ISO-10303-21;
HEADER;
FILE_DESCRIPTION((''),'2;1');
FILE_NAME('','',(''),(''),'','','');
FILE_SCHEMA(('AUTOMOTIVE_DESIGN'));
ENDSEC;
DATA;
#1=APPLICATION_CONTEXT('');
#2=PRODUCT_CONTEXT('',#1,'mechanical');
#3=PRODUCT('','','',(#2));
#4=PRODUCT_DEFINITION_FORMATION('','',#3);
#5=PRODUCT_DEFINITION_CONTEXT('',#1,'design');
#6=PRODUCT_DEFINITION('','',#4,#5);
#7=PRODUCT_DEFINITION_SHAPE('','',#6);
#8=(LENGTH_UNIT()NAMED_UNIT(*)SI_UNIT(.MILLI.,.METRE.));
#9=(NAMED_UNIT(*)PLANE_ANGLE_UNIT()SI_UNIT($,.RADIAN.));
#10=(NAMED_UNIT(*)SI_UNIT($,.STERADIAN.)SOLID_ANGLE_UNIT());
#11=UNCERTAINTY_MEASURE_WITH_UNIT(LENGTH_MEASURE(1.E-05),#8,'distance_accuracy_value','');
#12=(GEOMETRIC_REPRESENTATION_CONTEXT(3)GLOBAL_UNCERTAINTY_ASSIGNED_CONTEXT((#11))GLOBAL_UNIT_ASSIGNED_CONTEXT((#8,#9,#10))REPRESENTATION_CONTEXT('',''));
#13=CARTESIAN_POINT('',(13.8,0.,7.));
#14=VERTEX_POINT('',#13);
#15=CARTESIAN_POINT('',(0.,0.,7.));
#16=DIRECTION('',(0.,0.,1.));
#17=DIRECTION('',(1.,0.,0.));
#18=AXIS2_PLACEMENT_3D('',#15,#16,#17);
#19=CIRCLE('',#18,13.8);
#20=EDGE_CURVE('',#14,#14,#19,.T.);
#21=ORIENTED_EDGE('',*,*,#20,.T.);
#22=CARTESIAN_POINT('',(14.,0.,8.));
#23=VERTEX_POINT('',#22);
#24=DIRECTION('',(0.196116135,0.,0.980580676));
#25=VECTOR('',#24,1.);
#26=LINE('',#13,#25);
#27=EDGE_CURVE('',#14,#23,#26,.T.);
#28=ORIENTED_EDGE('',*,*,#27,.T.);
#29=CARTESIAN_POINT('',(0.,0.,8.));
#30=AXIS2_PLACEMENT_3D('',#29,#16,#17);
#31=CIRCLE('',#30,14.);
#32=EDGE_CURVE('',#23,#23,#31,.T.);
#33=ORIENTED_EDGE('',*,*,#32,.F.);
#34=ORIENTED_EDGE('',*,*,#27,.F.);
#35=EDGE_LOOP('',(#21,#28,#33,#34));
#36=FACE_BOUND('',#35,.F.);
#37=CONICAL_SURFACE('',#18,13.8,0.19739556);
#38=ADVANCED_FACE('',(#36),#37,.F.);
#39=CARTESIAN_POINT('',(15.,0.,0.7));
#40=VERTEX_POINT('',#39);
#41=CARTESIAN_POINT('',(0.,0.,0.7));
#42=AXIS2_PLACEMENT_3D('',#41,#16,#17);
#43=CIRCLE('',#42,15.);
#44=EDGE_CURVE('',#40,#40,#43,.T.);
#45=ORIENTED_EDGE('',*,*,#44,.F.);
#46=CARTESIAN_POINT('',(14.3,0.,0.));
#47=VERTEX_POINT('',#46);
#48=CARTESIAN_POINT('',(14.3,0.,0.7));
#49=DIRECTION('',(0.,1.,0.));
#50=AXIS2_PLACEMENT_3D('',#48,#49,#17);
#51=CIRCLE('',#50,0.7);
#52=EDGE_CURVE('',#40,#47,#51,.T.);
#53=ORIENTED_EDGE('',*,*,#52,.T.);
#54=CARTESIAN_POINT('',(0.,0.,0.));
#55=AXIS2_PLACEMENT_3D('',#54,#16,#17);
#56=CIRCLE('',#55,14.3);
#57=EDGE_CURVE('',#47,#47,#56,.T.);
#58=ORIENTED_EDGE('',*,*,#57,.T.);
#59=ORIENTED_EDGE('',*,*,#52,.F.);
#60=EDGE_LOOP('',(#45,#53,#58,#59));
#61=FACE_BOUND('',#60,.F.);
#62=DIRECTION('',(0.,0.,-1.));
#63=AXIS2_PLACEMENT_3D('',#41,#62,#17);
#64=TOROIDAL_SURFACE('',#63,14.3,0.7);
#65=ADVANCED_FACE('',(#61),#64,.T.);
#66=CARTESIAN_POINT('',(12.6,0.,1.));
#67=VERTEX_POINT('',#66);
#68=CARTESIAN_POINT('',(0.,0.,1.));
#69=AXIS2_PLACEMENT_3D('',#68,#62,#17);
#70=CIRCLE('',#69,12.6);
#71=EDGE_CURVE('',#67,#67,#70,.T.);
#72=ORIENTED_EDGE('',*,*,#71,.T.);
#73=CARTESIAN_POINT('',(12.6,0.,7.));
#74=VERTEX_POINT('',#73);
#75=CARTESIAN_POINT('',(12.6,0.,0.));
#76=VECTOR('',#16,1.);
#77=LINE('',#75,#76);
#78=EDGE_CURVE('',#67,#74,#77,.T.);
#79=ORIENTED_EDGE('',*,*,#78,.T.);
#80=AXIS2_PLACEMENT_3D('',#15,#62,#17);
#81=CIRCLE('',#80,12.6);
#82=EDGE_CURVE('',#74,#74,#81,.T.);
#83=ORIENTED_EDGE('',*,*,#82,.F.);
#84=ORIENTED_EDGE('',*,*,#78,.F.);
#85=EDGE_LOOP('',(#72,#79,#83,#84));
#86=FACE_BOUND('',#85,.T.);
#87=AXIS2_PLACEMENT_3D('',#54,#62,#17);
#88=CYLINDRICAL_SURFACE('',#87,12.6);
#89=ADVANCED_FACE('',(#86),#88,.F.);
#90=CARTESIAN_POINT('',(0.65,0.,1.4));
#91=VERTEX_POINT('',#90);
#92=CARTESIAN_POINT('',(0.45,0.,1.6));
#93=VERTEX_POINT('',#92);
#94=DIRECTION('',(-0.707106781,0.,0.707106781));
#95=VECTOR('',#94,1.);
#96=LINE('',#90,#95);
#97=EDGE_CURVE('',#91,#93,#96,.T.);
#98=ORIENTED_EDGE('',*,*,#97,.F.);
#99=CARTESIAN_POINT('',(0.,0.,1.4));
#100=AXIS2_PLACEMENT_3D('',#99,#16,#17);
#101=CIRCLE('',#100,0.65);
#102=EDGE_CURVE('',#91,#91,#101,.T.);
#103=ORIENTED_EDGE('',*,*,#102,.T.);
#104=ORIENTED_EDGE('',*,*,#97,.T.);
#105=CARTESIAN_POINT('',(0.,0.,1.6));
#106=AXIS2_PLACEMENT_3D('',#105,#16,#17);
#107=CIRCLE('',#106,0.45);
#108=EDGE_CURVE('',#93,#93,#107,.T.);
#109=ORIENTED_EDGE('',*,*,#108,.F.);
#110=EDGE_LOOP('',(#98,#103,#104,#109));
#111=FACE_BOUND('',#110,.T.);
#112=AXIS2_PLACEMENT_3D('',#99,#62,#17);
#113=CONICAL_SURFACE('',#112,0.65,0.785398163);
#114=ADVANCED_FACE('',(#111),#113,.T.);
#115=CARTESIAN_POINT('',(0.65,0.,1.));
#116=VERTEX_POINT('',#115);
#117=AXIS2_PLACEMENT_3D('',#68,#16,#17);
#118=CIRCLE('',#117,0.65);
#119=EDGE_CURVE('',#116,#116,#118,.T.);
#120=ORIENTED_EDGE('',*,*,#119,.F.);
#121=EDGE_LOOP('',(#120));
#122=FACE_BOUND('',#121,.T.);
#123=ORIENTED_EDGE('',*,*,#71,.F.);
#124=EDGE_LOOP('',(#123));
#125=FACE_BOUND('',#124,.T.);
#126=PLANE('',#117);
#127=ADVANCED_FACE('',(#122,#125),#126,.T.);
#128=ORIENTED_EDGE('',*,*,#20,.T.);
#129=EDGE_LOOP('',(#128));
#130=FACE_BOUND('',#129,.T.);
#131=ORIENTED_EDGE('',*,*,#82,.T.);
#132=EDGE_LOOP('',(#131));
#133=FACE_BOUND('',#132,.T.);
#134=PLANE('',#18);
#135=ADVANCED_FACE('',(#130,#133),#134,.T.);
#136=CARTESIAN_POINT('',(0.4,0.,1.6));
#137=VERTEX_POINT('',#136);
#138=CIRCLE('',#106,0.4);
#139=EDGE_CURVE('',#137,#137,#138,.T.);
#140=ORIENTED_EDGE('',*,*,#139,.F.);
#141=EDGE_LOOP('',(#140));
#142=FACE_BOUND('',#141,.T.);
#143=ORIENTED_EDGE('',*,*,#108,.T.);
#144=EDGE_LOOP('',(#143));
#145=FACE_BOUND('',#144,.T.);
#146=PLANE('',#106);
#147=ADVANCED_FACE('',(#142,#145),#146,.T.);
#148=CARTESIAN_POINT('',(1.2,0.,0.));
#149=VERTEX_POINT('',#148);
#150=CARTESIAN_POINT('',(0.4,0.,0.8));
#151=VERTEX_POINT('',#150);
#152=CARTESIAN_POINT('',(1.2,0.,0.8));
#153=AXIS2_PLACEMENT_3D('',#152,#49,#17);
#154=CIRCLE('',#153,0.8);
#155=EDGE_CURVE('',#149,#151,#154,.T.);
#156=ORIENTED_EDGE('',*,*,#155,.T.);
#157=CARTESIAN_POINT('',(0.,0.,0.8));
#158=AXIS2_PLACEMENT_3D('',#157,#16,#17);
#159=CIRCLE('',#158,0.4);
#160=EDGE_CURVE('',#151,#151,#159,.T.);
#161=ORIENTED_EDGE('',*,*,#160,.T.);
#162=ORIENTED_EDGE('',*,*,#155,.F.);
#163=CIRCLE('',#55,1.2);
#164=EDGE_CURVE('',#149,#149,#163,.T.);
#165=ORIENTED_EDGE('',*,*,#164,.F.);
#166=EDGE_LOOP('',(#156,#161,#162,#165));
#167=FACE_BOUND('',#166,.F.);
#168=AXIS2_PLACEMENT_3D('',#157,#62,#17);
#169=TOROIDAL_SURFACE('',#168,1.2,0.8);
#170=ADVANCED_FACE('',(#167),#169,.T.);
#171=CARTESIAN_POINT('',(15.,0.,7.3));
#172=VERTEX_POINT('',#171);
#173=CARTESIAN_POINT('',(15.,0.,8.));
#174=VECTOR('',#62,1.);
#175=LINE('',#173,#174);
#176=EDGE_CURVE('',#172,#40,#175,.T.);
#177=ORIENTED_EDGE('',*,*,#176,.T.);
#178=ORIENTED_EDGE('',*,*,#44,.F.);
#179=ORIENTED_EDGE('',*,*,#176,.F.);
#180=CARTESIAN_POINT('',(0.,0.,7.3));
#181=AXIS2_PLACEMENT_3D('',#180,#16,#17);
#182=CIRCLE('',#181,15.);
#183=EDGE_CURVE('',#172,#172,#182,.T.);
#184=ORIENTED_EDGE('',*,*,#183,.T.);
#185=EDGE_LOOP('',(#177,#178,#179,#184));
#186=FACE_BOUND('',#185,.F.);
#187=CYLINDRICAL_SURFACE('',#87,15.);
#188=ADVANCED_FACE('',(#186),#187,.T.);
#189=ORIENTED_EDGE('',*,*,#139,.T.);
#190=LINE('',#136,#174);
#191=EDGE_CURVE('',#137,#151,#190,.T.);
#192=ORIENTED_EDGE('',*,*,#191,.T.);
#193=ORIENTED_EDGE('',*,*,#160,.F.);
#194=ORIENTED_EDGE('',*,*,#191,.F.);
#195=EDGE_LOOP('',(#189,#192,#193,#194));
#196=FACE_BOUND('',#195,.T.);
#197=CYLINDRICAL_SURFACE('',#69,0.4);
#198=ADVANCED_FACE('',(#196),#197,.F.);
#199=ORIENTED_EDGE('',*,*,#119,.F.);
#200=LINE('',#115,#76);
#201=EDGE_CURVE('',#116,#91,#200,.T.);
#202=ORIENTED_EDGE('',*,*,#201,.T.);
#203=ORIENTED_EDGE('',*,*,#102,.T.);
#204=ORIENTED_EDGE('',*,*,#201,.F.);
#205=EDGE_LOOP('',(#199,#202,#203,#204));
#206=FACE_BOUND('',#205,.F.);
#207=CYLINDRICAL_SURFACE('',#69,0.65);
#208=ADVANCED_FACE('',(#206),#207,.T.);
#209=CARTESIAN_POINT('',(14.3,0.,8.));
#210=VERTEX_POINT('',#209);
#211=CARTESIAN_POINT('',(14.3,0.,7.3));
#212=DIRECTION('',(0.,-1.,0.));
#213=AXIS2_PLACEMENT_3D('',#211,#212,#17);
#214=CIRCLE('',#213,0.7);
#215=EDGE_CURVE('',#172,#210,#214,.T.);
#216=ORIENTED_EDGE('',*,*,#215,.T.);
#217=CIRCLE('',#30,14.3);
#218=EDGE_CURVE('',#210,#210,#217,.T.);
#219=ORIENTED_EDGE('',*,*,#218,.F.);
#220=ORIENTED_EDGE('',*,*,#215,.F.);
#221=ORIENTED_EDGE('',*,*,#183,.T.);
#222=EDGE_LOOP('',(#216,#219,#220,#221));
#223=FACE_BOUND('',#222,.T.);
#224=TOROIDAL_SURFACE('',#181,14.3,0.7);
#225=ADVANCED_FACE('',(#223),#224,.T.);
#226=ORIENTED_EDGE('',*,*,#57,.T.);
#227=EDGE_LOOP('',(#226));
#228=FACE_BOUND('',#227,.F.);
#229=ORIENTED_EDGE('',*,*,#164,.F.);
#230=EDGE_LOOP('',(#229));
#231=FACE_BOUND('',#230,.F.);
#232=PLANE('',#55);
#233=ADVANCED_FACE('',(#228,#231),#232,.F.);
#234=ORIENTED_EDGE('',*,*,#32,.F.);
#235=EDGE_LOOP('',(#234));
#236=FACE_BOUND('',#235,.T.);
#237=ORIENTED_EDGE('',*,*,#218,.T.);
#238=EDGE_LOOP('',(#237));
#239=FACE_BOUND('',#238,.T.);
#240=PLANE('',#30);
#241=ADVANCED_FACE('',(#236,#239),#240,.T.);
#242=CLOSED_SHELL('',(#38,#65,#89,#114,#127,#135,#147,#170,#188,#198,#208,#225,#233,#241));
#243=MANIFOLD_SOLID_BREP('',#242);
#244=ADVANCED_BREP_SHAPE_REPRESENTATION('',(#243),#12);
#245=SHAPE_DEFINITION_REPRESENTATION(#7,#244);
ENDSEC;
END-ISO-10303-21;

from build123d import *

# Parameters (mm, degrees)
CYLINDER006_R     = 14
CYLINDER006_DEPTH = 1
CYLINDER005_R     = 0.4
CYLINDER005_DEPTH = 1
CYLINDER001_R     = 12.6
CYLINDER001_DEPTH = 8
CYLINDER_R        = 15
CYLINDER_DEPTH    = 8
CYLINDER002_R     = 15
CYLINDER002_DEPTH = 1
FILLET_R          = 0.7
FILLET001_R       = 0.7
FILLET002_R       = 0.8
CYLINDER004_R     = 0.4
CYLINDER004_DEPTH = 0.6
CYLINDER003_R     = 0.65
CYLINDER003_DEPTH = 0.6
CHAMFER_SIZE      = 0.2
CYLINDER007_R     = 14
CYLINDER007_DEPTH = 1


with BuildPart() as cylinder006:
    # Cylinder006 → Cylinder006 (new body)
    with BuildSketch(Plane.XY.offset(7)):
        Circle(CYLINDER006_R)
    extrude(amount=CYLINDER006_DEPTH)


with BuildPart() as cylinder005:
    # Cylinder005 → Cylinder005 (new body)
    with BuildSketch(Plane.XY):
        Circle(CYLINDER005_R)
    extrude(amount=CYLINDER005_DEPTH)


with BuildPart() as cylinder001:
    # Cylinder001 → Cylinder001 (new body)
    with BuildSketch(Plane.XY):
        Circle(CYLINDER001_R)
    extrude(amount=CYLINDER001_DEPTH)


with BuildPart() as cut:
    # Cylinder → Cylinder (new body)
    with BuildSketch(Plane.XY):
        Circle(CYLINDER_R)
    extrude(amount=CYLINDER_DEPTH)

    # Cut: cut Cylinder001
    add(cylinder001.part, mode=Mode.SUBTRACT)


with BuildPart() as fillet002:
    # Cylinder002 → Cylinder002 (new body)
    with BuildSketch(Plane.XY):
        Circle(CYLINDER002_R)
    extrude(amount=CYLINDER002_DEPTH)

    # Fusion: union Cut
    add(cut.part)

    # Cut001: cut Cylinder005
    add(cylinder005.part, mode=Mode.SUBTRACT)

    # Cut003: cut Cylinder006
    add(cylinder006.part, mode=Mode.SUBTRACT)

    # Fillet
    fillet_edges = [fillet002.edges().sort_by_distance(p)[0] for p in [
        (-15, 0, 8),
    ]]
    fillet(fillet_edges, radius=FILLET_R)

    # Fillet001
    fillet001_edges = [fillet002.edges().sort_by_distance(p)[0] for p in [
        (-15, 0, 0),
    ]]
    fillet(fillet001_edges, radius=FILLET001_R)

    # Fillet002
    fillet002_edges = [fillet002.edges().sort_by_distance(p)[0] for p in [
        (-0.4, 0, 0),
    ]]
    fillet(fillet002_edges, radius=FILLET002_R)


with BuildPart() as cylinder004:
    # Cylinder004 → Cylinder004 (new body)
    with BuildSketch(Plane.XY.offset(1)):
        Circle(CYLINDER004_R)
    extrude(amount=CYLINDER004_DEPTH)


with BuildPart() as chamfer_body:
    # Cylinder003 → Cylinder003 (new body)
    with BuildSketch(Plane.XY.offset(1)):
        Circle(CYLINDER003_R)
    extrude(amount=CYLINDER003_DEPTH)

    # Cut002: cut Cylinder004
    add(cylinder004.part, mode=Mode.SUBTRACT)

    # Chamfer
    chamfer_edges = [chamfer_body.edges().sort_by_distance(p)[0] for p in [
        (-0.65, 0, 1.6),
    ]]
    chamfer(chamfer_edges, length=CHAMFER_SIZE)


with BuildPart() as cone:
    # Cone → Cone (revolve)
    with BuildSketch(Plane(origin=(0, 0, 7), x_dir=(1, 0, 0), z_dir=(0, -1, 0))):
        Polygon((0, 0), (13.8, 0), (14, 1), (0, 1), align=None)
    revolve(axis=Axis((0, 0, 7), (0, 0, 1)))


with BuildPart() as fusion001:
    # Cylinder007 → Cylinder007 (new body)
    with BuildSketch(Plane.XY.offset(7)):
        Circle(CYLINDER007_R)
    extrude(amount=CYLINDER007_DEPTH)

    # Cut004: cut Cone
    add(cone.part, mode=Mode.SUBTRACT)

    # Fusion001: union Fillet002, Chamfer body
    add(fillet002.part)
    add(chamfer_body.part)


solid = fusion001.part
